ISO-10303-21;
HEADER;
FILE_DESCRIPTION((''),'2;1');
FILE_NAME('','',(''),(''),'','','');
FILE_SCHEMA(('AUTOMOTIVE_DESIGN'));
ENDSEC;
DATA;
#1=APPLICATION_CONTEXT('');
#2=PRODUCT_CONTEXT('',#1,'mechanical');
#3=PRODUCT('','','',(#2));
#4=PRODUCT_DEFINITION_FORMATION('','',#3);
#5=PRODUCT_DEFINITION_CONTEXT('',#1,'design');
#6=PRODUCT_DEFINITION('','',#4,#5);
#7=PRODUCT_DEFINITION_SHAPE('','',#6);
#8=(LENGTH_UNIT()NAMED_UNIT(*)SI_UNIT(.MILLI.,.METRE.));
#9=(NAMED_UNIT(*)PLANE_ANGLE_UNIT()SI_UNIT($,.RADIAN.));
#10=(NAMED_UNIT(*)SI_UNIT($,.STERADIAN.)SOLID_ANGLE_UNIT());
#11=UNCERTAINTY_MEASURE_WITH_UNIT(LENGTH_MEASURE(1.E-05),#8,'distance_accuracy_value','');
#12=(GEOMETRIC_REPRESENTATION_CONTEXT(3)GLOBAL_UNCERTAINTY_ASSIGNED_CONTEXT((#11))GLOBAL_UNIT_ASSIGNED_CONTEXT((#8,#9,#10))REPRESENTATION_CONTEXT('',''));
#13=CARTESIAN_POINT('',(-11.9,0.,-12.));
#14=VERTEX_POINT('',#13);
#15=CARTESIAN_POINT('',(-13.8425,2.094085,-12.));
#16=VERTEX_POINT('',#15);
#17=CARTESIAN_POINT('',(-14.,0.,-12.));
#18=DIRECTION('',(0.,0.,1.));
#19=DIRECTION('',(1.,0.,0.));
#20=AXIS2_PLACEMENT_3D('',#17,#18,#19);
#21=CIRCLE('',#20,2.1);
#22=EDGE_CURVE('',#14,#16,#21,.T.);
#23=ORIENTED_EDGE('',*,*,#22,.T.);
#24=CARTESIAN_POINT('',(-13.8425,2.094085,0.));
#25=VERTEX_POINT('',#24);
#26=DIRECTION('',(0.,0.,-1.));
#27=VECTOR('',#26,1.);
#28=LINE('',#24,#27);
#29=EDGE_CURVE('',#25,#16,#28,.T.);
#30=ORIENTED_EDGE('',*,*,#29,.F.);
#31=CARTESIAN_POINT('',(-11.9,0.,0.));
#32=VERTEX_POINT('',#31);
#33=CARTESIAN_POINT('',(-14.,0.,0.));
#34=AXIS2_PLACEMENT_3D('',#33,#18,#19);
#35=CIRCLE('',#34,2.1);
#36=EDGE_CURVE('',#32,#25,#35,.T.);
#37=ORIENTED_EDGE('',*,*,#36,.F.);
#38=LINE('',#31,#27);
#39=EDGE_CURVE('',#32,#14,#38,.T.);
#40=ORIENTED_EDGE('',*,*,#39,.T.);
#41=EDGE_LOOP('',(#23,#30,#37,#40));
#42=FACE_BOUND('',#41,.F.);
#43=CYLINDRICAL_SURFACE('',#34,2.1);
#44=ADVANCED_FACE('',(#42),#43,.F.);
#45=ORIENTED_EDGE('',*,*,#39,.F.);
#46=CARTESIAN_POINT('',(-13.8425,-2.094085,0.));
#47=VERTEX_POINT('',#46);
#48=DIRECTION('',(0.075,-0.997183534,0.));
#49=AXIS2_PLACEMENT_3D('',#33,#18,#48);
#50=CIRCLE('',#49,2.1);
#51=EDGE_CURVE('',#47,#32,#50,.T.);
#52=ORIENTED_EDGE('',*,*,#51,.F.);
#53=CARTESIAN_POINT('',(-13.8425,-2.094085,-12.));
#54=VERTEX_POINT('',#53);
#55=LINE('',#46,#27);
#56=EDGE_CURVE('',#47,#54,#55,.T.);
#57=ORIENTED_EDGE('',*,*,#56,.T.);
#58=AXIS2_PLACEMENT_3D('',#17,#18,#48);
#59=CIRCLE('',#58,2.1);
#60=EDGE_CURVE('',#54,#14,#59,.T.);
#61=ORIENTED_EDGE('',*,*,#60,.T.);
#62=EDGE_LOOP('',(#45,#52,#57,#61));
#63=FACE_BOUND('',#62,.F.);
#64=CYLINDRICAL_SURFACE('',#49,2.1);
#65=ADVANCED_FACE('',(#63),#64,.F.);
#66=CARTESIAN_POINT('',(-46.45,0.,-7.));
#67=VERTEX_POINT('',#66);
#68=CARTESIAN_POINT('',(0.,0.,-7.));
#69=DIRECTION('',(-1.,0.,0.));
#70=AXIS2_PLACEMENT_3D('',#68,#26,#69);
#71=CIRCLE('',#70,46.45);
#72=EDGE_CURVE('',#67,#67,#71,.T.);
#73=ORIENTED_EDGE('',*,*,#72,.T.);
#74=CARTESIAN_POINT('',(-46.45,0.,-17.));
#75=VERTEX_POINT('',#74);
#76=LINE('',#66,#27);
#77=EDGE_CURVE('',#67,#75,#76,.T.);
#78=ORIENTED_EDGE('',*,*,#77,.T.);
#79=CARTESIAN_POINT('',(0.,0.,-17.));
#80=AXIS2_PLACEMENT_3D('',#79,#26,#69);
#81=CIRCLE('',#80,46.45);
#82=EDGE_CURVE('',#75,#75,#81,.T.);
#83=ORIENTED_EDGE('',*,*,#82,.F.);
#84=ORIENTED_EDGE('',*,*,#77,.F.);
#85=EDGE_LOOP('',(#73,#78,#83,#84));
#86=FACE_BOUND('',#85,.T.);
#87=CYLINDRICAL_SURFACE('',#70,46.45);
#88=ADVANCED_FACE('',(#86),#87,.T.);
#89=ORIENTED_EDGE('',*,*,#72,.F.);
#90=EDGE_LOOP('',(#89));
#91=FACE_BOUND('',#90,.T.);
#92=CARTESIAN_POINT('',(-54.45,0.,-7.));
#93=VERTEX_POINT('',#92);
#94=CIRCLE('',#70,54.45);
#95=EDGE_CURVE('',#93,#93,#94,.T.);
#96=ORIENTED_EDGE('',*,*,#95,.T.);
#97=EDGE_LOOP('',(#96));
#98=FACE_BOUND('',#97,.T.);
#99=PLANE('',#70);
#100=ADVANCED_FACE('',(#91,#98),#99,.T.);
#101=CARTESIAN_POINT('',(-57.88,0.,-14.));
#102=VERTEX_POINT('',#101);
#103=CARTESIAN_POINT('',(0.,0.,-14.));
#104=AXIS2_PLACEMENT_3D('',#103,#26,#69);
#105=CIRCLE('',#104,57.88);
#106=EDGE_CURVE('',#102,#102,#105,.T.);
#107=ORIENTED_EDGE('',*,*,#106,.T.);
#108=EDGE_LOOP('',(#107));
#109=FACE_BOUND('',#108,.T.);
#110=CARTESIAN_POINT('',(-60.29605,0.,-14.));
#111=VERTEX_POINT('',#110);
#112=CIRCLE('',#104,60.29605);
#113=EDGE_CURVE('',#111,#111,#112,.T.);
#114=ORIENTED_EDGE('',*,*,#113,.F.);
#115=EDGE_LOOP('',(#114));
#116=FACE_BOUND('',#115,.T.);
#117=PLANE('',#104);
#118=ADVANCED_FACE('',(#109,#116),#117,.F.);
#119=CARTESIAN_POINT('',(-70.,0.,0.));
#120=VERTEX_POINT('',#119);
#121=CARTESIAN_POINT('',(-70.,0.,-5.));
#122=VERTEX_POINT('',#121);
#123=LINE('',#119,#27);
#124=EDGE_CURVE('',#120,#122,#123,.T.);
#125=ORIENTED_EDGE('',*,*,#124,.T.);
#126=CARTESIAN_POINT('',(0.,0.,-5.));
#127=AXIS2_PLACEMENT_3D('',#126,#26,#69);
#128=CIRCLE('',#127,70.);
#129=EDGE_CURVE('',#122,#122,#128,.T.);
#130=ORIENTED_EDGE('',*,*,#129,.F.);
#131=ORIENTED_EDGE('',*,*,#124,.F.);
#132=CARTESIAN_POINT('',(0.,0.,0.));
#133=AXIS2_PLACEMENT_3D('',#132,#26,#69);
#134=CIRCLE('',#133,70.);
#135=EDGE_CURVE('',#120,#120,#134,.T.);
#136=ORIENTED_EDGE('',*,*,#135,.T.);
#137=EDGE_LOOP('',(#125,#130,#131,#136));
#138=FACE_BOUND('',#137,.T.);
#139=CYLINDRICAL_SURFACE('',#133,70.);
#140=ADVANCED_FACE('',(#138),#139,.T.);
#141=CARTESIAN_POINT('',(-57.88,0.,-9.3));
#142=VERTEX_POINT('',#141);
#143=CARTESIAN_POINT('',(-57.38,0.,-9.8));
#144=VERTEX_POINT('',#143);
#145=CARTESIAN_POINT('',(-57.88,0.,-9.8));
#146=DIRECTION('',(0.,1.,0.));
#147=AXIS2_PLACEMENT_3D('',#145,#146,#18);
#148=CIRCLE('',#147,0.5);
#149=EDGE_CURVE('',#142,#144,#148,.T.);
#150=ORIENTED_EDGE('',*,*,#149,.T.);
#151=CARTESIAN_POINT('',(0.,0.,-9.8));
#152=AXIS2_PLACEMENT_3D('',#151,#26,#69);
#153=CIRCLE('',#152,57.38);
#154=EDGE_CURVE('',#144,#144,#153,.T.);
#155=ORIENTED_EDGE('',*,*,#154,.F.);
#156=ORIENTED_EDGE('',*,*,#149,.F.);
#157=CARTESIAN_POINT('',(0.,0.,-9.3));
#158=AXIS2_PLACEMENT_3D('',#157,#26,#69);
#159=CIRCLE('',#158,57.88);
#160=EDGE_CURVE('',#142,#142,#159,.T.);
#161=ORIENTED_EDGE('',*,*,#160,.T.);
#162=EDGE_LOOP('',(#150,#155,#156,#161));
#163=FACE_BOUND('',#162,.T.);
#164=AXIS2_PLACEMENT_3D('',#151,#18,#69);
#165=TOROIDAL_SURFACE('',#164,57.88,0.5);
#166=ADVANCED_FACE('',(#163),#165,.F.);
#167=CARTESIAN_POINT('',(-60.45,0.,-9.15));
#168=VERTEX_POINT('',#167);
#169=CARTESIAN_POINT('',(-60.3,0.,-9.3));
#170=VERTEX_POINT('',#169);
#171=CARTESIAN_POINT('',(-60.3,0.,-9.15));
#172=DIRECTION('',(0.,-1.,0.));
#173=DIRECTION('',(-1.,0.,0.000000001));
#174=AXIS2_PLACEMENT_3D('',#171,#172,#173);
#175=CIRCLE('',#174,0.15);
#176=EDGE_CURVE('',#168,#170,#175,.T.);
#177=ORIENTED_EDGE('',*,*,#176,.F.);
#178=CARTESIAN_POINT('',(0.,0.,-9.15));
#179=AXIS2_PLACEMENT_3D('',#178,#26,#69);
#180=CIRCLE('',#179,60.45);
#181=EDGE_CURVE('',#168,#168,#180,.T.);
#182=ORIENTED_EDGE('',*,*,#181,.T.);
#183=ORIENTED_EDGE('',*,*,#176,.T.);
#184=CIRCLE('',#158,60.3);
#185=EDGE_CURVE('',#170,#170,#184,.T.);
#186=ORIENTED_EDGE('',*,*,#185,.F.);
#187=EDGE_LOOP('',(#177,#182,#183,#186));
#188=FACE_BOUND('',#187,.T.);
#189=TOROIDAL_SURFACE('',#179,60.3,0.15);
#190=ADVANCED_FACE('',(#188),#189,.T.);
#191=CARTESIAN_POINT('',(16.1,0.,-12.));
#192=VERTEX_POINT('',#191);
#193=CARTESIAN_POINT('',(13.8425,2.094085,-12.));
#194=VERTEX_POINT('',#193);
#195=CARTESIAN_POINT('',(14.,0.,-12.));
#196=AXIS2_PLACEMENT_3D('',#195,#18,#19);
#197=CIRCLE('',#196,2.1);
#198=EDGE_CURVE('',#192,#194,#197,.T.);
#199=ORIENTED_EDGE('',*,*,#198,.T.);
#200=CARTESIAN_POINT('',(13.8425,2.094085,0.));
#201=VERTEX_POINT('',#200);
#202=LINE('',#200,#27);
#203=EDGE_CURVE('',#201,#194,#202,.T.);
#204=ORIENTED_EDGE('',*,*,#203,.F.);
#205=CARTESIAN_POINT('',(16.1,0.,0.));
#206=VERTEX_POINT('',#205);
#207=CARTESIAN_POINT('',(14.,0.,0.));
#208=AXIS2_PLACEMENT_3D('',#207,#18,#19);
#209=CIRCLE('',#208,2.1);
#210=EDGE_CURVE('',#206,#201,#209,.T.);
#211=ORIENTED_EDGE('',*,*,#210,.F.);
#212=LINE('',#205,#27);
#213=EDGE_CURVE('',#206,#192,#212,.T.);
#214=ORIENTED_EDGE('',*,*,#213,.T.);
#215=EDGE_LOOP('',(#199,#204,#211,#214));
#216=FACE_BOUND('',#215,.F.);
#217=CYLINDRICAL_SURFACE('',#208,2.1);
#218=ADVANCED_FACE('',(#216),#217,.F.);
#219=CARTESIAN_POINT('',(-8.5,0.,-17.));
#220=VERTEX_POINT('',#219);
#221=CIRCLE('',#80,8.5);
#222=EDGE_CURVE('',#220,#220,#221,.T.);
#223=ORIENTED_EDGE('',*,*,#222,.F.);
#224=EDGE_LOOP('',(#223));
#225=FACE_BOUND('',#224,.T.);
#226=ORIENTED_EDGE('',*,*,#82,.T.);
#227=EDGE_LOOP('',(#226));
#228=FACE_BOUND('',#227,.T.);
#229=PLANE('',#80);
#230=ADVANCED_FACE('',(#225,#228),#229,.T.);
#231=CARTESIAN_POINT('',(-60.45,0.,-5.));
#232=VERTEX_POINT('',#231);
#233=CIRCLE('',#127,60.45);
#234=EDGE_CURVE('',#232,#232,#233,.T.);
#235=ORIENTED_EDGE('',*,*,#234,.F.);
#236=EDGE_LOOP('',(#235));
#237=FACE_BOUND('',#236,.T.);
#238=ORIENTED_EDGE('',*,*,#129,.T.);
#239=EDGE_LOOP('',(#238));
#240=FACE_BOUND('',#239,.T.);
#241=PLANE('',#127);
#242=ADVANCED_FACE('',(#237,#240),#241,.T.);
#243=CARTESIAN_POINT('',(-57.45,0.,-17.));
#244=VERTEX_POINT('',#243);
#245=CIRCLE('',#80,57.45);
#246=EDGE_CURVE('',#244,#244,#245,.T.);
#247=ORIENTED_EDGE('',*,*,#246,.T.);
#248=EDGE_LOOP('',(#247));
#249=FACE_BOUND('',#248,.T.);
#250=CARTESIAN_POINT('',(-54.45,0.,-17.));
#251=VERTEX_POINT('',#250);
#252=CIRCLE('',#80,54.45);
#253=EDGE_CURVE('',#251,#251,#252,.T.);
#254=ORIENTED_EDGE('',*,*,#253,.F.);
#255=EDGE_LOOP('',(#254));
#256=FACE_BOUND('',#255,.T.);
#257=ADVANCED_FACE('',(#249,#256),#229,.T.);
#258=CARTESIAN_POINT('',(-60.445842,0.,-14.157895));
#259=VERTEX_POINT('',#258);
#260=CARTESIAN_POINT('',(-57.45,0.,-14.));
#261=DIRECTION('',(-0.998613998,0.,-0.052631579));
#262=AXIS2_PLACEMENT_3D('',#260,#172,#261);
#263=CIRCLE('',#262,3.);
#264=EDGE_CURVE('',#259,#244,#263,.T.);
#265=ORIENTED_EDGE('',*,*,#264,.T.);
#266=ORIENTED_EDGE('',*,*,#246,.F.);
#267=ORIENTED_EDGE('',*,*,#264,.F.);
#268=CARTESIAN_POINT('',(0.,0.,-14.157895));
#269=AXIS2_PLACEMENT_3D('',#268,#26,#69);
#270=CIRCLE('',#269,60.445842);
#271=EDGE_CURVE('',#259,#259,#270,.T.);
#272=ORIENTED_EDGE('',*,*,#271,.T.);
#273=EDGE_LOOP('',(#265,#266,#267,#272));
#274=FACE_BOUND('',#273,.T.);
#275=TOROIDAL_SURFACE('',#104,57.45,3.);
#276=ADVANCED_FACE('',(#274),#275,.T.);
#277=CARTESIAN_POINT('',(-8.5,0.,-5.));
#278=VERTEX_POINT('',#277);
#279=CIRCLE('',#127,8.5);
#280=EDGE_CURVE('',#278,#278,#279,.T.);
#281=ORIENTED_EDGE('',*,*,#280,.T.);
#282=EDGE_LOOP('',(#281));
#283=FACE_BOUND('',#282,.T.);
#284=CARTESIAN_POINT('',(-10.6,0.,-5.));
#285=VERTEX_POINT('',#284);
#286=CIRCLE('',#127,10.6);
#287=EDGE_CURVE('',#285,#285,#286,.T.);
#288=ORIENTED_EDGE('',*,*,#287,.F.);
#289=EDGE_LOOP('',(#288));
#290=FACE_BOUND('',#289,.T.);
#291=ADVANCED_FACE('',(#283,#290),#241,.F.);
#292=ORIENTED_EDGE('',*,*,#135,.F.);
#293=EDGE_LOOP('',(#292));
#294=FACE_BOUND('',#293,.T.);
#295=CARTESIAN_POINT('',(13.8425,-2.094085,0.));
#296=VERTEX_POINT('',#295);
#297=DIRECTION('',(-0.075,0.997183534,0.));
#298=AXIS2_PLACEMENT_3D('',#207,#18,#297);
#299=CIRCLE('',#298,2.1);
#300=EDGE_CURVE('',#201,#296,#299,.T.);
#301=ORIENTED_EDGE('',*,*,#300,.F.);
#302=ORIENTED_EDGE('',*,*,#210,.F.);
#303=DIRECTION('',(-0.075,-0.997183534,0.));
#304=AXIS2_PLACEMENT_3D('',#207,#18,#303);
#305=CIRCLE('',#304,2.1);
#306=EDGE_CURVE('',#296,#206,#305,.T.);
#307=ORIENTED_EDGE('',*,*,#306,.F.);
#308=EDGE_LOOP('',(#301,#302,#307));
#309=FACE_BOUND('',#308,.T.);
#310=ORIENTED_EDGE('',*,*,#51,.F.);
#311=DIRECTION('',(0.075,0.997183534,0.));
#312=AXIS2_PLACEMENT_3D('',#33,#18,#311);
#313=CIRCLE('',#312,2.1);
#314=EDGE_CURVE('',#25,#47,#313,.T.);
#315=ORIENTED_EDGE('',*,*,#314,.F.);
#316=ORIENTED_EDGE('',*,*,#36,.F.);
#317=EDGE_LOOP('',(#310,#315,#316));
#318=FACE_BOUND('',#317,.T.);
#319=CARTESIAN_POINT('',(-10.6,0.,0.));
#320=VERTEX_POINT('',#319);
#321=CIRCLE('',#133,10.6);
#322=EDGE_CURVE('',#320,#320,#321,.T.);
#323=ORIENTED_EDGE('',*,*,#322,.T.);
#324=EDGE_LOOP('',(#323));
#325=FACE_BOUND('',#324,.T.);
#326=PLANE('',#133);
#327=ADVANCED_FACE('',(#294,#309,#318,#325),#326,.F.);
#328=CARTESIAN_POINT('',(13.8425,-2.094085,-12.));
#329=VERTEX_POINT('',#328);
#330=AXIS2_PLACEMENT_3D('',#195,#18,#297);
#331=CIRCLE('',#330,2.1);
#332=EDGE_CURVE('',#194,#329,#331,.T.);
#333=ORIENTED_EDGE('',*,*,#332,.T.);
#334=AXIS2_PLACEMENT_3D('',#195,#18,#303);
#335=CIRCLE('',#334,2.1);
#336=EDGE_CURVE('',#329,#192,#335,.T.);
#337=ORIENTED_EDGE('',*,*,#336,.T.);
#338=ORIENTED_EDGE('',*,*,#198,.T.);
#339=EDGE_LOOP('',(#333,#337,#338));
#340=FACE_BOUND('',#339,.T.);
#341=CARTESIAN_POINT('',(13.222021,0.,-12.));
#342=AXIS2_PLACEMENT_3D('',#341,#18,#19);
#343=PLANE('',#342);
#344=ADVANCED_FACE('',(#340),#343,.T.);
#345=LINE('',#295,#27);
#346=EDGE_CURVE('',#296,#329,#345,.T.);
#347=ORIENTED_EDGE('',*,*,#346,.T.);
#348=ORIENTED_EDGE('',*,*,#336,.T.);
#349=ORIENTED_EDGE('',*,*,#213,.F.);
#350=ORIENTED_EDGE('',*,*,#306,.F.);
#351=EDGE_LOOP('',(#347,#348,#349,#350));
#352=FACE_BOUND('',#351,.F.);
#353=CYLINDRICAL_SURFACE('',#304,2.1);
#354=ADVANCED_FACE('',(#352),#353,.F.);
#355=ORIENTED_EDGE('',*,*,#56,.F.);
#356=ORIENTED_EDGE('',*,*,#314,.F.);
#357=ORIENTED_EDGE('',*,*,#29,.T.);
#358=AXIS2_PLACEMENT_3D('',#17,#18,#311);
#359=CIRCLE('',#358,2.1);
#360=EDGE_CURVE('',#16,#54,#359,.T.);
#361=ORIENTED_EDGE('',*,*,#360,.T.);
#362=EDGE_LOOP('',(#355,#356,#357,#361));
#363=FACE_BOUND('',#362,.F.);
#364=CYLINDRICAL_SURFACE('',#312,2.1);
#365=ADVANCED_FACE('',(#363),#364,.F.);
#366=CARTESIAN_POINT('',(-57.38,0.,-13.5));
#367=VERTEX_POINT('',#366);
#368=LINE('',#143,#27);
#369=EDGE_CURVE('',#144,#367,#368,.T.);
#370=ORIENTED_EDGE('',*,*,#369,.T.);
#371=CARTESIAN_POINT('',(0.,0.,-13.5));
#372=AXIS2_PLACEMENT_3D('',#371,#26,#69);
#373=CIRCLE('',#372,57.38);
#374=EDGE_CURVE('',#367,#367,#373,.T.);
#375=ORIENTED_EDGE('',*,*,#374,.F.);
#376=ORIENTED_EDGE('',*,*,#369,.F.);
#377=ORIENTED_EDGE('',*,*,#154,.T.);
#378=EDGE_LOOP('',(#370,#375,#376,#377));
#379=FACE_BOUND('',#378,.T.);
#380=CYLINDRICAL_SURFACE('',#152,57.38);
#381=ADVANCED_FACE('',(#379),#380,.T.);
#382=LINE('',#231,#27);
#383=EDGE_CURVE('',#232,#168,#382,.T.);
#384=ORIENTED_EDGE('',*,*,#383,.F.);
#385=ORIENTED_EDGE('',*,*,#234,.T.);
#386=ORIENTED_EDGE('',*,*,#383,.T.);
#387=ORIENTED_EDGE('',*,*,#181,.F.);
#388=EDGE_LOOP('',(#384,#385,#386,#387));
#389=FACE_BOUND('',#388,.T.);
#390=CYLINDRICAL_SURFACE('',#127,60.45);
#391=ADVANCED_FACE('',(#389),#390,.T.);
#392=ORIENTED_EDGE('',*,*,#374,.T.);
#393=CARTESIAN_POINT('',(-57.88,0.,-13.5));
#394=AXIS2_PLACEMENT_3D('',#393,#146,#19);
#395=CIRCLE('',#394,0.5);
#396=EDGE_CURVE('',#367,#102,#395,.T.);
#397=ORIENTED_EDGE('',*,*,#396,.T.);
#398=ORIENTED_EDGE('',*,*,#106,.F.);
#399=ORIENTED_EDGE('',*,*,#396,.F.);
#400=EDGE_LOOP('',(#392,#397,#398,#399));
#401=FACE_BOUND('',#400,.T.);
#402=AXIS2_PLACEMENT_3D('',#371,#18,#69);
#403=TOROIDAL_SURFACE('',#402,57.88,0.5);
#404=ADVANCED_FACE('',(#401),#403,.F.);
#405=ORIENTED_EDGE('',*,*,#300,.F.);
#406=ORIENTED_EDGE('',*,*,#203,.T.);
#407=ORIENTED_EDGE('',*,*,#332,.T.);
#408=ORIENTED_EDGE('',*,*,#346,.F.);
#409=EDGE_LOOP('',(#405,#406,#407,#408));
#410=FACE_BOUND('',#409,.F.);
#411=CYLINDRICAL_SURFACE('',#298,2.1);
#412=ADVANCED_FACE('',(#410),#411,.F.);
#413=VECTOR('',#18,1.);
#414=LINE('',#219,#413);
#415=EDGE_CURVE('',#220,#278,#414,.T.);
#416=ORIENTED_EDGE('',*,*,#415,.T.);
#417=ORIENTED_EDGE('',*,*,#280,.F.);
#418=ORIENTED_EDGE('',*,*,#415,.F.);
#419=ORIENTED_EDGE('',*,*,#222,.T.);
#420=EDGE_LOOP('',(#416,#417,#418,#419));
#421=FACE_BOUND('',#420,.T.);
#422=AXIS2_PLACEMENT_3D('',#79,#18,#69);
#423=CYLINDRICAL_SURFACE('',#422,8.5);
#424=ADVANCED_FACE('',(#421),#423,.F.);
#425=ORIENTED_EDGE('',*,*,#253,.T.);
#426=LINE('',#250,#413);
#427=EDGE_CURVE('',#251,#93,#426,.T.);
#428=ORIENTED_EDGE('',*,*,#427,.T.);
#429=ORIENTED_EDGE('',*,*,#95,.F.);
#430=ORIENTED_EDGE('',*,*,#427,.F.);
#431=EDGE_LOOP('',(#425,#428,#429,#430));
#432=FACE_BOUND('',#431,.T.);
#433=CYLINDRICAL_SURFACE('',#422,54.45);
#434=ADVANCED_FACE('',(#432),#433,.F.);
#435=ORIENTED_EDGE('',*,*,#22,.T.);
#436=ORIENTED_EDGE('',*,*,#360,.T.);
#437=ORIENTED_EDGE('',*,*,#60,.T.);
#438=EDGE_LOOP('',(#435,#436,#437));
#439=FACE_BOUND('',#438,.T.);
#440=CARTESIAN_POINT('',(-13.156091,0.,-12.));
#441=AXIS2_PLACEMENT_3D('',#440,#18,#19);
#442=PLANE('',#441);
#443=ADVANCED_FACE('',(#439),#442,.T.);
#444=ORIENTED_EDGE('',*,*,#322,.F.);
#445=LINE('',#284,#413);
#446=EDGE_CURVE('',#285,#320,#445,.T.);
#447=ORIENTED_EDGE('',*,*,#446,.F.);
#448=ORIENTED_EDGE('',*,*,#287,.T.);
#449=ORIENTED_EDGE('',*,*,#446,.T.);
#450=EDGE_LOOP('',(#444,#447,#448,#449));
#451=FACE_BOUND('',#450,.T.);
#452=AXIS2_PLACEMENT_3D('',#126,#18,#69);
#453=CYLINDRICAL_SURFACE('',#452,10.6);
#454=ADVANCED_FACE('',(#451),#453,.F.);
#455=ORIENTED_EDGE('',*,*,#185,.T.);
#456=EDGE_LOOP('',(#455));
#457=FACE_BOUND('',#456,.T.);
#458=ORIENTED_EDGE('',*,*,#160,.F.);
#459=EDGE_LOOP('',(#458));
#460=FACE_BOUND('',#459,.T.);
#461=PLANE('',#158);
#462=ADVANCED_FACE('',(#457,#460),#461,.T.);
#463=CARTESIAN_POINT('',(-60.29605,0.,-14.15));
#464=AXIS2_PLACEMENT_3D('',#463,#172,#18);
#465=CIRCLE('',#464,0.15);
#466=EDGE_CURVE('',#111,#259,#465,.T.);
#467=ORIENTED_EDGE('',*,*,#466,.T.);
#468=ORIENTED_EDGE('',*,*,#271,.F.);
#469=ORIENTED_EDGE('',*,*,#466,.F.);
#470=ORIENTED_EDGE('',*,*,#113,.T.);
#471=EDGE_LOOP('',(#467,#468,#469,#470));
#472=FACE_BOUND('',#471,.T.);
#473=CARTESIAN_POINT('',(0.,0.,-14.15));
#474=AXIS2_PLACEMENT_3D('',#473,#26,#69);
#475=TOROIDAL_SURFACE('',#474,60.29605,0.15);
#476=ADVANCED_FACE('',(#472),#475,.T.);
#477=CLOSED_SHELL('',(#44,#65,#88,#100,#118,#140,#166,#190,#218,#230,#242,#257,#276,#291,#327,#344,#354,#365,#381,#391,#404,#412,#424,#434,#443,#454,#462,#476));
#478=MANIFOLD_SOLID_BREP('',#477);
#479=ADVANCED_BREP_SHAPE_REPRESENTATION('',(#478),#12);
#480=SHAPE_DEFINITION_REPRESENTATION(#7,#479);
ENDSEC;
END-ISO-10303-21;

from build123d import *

# Parameters (mm, degrees)
F3_DEPTH = 12


with BuildPart() as f1:
    # F0 (on Front) → F1 (revolve)
    with BuildSketch(Plane.XZ):
        with BuildLine():
            Line((-10.6, -2.3210938089), (-10.6, 0))
            Line((-10.6, 0), (-70, 0))
            Line((-70, 0), (-70, -5))
            Line((-70, -5), (-60.45, -5))
            Line((-60.45, -5), (-60.45, -9.15))
            ThreePointArc((-60.45, -9.15), (-60.4060660172, -9.2560660172), (-60.3, -9.3))
            Line((-60.3, -9.3), (-57.88, -9.3))
            ThreePointArc((-57.88, -9.3), (-57.5264466094, -9.4464466094), (-57.38, -9.8))
            Line((-57.38, -9.8), (-57.38, -13.5))
            ThreePointArc((-57.38, -13.5), (-57.5264466094, -13.8535533906), (-57.88, -14))
            Line((-57.88, -14), (-60.2960498942, -14))
            ThreePointArc((-60.2960498942, -14), (-60.4048713317, -14.0467629198), (-60.4458419938, -14.1578947368))
            ThreePointArc((-60.4458419938, -14.1578947368), (-59.5147416048, -16.1764287503), (-57.45, -17))
            Line((-57.45, -17), (-54.45, -17))
            Line((-54.45, -17), (-54.45, -7))
            Line((-54.45, -7), (-46.45, -7))
            Line((-46.45, -7), (-46.45, -17))
            Line((-46.45, -17), (-25, -17))
            Line((-25, -17), (-25, -11))
            Line((-25, -11), (-25, -7))
            Line((-25, -7), (-8.5, -7))
            Line((-8.5, -7), (-8.5, -5))
            Line((-8.5, -5), (-10.6, -5))
            Line((-10.6, -5), (-10.6, -2.3210938089))
        make_face()
        Polygon((-8.5, -17), (-8.5, -7), (-25, -7), (-25, -11), (-25, -17), align=None)
    revolve(axis=Axis((0, 0, -8.5), (0, 0, -1)))

    # F2 (on face) → F3 (cut)
    with BuildSketch(Plane.XY):
        with BuildLine():
            ThreePointArc((-11.9, 0), (-12.4603977786, 1.4281544034), (-13.8425, 2.0940854209))
            ThreePointArc((-13.8425, 2.0940854209), (-14, 0), (-13.8425, -2.0940854209))
            ThreePointArc((-13.8425, -2.0940854209), (-12.4603977786, -1.4281544034), (-11.9, 0))
        make_face()
        with BuildLine():
            ThreePointArc((-13.8425, -2.0940854209), (-14, 0), (-13.8425, 2.0940854209))
            ThreePointArc((-13.8425, 2.0940854209), (-16.1, 0), (-13.8425, -2.0940854209))
        make_face()
        with BuildLine():
            ThreePointArc((13.8425, -2.0940854209), (13.9605694726, -1.05), (14, 0))
            ThreePointArc((14, 0), (13.9605694726, 1.05), (13.8425, 2.0940854209))
            ThreePointArc((13.8425, 2.0940854209), (11.9, 0), (13.8425, -2.0940854209))
        make_face()
        with BuildLine():
            ThreePointArc((13.8425, 2.0940854209), (13.9605694726, 1.05), (14, 0))
            ThreePointArc((14, 0), (13.9605694726, -1.05), (13.8425, -2.0940854209))
            ThreePointArc((13.8425, -2.0940854209), (15.4281544034, -1.5396022214), (16.1, 0))
            ThreePointArc((16.1, 0), (15.4281544034, 1.5396022214), (13.8425, 2.0940854209))
        make_face()
    extrude(amount=-F3_DEPTH, mode=Mode.SUBTRACT)


solid = f1.part
